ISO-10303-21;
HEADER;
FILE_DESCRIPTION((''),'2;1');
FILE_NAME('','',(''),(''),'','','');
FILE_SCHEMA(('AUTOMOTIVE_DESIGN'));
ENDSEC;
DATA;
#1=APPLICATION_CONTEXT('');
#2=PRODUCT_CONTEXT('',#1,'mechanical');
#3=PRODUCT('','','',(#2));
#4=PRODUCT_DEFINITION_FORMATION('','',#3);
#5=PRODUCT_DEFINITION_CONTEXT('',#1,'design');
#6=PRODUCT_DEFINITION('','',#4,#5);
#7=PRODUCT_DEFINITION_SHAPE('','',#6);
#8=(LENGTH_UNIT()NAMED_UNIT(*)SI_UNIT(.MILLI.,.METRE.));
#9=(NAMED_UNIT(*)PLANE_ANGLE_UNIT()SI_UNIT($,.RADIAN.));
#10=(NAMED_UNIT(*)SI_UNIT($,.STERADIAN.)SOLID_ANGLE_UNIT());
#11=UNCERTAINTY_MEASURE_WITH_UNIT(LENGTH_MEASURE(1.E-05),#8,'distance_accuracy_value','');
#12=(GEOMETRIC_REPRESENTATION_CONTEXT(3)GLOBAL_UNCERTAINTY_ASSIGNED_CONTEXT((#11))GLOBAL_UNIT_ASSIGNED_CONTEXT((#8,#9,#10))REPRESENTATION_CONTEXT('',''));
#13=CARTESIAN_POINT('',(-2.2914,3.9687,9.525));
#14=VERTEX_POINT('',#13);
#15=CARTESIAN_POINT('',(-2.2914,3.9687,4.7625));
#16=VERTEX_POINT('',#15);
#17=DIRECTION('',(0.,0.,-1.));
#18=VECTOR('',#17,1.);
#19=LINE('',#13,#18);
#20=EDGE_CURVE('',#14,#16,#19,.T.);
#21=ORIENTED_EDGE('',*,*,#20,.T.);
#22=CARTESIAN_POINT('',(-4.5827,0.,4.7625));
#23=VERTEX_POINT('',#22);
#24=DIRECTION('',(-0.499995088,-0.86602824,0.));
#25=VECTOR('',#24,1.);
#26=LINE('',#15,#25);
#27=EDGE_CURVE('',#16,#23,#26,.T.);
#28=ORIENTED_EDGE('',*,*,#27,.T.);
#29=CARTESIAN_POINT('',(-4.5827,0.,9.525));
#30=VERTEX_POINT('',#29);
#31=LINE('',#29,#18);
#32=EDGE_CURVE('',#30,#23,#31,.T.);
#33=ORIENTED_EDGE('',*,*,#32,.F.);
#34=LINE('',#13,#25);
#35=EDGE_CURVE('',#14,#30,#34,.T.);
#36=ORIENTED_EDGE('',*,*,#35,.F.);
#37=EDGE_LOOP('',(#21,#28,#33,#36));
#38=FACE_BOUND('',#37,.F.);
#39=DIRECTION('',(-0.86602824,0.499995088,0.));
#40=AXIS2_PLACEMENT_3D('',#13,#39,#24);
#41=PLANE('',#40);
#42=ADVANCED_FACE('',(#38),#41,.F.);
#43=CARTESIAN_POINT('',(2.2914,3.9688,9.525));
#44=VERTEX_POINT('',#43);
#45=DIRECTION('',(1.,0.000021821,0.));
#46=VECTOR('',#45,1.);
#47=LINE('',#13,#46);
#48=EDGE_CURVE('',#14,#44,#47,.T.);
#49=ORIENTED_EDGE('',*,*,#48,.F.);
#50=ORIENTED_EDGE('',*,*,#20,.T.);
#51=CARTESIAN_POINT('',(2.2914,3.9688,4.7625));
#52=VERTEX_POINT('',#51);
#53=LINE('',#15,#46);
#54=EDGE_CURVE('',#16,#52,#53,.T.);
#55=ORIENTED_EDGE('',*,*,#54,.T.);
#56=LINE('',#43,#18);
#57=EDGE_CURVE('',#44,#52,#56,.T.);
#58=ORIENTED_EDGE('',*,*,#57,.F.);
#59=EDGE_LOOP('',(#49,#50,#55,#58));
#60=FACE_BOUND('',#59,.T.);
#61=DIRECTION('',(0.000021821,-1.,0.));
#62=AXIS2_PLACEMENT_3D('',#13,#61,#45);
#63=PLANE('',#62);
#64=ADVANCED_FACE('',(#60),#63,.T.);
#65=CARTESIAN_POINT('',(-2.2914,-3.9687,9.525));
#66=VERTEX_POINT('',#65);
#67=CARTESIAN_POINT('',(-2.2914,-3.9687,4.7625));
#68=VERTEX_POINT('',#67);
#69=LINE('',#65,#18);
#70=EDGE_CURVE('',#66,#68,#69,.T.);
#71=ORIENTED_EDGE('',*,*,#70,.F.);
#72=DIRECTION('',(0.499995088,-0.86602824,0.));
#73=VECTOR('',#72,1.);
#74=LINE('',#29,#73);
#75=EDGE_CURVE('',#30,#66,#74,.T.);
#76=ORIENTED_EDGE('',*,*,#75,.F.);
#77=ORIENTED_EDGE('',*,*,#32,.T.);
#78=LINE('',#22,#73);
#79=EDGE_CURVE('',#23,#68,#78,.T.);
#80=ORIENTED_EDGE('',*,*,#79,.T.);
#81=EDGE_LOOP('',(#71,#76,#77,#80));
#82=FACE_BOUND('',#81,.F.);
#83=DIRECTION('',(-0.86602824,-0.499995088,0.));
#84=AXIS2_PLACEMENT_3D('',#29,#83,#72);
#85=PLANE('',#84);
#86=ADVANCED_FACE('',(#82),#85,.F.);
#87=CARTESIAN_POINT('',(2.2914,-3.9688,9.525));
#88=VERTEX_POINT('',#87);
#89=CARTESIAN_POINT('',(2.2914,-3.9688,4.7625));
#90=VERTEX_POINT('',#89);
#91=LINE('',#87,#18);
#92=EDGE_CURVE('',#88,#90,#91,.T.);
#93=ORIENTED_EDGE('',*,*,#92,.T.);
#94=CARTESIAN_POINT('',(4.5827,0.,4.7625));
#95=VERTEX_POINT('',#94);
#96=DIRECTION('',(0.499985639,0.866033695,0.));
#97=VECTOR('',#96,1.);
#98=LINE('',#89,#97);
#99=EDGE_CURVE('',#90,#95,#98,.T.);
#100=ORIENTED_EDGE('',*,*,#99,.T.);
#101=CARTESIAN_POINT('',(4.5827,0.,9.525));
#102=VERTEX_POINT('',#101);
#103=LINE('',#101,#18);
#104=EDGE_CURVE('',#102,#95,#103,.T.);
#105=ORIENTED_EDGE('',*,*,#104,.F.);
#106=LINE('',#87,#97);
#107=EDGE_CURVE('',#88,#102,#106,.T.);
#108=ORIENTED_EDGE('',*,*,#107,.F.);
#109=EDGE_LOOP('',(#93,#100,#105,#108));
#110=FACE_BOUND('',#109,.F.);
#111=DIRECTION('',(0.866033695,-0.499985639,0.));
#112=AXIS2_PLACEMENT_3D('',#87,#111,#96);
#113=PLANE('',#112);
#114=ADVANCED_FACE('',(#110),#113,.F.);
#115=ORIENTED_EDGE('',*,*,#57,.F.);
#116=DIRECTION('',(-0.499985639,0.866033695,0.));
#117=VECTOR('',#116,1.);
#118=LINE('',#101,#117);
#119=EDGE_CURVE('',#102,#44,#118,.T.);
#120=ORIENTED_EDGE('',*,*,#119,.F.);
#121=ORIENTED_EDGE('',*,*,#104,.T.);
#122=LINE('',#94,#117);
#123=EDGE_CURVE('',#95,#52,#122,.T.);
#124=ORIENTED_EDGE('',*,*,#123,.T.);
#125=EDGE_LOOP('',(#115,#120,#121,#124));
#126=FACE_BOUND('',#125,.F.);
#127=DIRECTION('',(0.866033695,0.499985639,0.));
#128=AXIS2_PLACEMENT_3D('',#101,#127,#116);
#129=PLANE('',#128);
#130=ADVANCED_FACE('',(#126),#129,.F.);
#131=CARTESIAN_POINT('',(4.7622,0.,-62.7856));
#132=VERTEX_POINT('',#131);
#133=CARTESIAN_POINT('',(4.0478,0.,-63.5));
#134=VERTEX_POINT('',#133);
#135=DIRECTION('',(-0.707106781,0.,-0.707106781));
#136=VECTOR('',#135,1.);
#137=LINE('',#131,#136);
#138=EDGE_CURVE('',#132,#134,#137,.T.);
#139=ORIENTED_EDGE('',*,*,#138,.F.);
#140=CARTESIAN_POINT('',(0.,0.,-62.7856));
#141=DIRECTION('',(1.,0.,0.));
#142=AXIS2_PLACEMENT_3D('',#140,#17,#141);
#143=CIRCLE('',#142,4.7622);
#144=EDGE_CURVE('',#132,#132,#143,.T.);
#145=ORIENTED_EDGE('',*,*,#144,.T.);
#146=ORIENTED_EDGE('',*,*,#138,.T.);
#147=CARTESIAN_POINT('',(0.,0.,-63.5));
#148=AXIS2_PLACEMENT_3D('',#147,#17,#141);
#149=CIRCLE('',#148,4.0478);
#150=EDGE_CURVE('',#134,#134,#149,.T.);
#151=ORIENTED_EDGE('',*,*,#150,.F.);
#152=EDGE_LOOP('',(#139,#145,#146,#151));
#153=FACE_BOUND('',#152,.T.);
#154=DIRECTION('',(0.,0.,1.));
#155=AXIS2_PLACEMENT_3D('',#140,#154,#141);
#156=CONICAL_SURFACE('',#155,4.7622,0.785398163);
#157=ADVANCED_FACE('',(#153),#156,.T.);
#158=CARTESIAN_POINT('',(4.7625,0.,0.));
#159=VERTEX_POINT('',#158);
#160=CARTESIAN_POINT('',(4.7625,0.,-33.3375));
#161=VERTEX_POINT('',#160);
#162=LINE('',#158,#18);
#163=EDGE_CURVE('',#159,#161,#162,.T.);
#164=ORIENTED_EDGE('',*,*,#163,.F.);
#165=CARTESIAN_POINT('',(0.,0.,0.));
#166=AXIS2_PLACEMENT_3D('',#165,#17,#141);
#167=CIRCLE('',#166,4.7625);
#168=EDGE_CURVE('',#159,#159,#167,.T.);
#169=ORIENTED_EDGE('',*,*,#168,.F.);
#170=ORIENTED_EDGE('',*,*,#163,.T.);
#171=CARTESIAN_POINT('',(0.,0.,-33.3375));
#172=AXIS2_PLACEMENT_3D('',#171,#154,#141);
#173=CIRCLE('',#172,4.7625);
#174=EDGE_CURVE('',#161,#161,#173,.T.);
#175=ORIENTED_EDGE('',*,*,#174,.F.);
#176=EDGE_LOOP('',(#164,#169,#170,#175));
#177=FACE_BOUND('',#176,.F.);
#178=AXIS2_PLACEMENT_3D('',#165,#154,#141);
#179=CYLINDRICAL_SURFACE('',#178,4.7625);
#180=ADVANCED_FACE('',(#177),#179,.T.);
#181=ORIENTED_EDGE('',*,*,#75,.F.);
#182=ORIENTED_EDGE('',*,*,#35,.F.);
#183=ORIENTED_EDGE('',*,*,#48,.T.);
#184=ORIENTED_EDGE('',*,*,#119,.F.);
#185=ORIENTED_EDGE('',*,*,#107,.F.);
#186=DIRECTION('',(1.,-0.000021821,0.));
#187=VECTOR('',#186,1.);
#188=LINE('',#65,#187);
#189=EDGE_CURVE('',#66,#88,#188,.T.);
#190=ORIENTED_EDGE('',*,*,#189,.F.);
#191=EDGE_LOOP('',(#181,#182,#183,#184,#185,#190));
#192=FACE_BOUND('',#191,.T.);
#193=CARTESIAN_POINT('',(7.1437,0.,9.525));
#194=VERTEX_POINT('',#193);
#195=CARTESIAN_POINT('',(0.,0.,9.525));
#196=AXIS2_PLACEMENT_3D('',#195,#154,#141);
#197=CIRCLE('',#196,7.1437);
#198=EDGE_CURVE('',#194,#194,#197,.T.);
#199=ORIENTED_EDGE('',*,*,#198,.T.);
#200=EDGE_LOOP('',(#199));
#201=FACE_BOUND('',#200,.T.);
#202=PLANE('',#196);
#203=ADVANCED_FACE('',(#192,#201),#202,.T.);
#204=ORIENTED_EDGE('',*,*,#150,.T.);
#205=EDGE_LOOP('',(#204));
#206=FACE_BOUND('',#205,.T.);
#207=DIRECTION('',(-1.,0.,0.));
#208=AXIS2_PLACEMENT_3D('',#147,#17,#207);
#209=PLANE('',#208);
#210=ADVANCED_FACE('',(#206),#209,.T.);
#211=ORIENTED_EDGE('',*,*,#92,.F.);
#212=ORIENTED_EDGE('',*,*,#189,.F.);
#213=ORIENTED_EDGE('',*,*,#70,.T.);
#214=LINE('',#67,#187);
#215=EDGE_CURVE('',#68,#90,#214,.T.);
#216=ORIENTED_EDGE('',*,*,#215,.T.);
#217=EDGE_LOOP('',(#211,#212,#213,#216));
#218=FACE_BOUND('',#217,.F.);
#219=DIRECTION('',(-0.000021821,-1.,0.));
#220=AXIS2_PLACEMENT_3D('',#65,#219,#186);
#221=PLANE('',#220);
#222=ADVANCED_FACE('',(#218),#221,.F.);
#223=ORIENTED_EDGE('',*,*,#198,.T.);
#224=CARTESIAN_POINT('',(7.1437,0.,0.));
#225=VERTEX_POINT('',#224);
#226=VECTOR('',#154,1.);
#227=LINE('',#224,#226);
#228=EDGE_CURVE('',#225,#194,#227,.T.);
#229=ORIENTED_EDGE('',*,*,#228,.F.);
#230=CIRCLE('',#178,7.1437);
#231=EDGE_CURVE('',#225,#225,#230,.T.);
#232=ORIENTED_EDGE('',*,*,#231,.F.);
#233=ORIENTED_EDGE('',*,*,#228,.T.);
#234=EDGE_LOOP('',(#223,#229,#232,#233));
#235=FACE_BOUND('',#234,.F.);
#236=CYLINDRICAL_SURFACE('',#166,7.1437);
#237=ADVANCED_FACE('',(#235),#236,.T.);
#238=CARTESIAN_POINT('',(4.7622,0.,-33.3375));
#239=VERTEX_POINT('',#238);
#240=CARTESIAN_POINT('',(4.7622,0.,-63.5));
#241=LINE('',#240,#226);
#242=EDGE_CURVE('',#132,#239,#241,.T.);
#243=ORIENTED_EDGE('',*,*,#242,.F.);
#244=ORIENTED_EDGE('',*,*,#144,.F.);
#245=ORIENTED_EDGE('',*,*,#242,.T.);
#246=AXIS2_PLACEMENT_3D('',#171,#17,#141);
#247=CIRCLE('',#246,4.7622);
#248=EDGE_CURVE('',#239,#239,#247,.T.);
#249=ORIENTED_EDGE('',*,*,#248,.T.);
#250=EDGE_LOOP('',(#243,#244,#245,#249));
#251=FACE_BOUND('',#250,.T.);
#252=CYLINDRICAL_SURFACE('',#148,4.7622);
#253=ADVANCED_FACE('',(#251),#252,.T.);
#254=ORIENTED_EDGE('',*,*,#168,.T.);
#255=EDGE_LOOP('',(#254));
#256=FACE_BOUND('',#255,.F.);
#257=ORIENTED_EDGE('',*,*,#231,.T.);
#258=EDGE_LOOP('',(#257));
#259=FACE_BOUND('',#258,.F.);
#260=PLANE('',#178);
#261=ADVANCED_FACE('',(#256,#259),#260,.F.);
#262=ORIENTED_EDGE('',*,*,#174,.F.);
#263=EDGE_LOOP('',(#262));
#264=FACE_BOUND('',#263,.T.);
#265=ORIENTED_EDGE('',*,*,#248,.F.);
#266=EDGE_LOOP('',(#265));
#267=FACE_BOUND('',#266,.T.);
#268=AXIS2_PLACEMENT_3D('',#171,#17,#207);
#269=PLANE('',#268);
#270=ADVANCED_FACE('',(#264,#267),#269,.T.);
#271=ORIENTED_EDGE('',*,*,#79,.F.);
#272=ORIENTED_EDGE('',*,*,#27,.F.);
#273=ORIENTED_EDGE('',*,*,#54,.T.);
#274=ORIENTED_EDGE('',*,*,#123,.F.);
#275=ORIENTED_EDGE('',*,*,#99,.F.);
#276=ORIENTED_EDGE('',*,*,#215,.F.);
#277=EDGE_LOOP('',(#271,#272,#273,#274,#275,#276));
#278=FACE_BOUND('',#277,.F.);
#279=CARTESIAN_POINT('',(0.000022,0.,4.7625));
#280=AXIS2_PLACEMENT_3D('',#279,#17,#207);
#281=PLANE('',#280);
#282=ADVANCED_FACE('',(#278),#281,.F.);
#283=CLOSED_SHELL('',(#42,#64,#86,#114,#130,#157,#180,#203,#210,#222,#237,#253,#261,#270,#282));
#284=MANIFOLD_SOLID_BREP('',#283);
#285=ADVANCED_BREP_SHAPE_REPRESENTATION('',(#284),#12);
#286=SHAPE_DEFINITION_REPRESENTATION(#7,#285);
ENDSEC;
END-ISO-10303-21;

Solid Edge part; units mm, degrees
sketch "Sketch1" plane through (0, 0, 0) normal (0, 0, 1) x (1, 0, 0)
  circle A0 centre (0, 0) radius 7.1437
  dimension "D1" = 14.2875
extrude "Protrusion1" add sketch "Sketch1" along normal blind 9.525
sketch "Sketch2" plane through (0, 0, 0) normal (0, 0, -1) x (1, 0, 0)
  circle A0 centre (0, 0) radius 4.7625
extrude "Protrusion2" add sketch "Sketch2" along normal blind 63.5
sketch "Sketch3" plane through (0, 0, -63.5) normal (0, 0, -1) x (1, 0, 0)
  circle A0 centre (0, 0) radius 4.7622
extrude "Cutout1" cut sketch "Sketch3" against normal blind 30.1625 flip side to cut
chamfer "Chamfer_1" distance 0.7144 angle 45 1 edges at (-4.7622, 0, -63.5)
sketch "Sketch4" plane through (0, 0, 9.525) normal (0, 0, 1) x (1, 0, 0)
  line L0 (-2.2914, 3.9687) -> (2.2914, 3.9688)
  line L1 (4.5827, 0) -> (2.2914, 3.9688)
  line L2 (2.2914, -3.9688) -> (4.5827, 0)
  line L3 (-2.2914, -3.9687) -> (2.2914, -3.9688)
  line L4 (-4.5827, 0) -> (-2.2914, -3.9688)
  line L5 (-2.2914, 3.9688) -> (-4.5827, 0)
  dimension "D1" = 7.9375
extrude "Cutout2" cut sketch "Sketch4" against normal blind 4.7625
properties part number "24102388"
